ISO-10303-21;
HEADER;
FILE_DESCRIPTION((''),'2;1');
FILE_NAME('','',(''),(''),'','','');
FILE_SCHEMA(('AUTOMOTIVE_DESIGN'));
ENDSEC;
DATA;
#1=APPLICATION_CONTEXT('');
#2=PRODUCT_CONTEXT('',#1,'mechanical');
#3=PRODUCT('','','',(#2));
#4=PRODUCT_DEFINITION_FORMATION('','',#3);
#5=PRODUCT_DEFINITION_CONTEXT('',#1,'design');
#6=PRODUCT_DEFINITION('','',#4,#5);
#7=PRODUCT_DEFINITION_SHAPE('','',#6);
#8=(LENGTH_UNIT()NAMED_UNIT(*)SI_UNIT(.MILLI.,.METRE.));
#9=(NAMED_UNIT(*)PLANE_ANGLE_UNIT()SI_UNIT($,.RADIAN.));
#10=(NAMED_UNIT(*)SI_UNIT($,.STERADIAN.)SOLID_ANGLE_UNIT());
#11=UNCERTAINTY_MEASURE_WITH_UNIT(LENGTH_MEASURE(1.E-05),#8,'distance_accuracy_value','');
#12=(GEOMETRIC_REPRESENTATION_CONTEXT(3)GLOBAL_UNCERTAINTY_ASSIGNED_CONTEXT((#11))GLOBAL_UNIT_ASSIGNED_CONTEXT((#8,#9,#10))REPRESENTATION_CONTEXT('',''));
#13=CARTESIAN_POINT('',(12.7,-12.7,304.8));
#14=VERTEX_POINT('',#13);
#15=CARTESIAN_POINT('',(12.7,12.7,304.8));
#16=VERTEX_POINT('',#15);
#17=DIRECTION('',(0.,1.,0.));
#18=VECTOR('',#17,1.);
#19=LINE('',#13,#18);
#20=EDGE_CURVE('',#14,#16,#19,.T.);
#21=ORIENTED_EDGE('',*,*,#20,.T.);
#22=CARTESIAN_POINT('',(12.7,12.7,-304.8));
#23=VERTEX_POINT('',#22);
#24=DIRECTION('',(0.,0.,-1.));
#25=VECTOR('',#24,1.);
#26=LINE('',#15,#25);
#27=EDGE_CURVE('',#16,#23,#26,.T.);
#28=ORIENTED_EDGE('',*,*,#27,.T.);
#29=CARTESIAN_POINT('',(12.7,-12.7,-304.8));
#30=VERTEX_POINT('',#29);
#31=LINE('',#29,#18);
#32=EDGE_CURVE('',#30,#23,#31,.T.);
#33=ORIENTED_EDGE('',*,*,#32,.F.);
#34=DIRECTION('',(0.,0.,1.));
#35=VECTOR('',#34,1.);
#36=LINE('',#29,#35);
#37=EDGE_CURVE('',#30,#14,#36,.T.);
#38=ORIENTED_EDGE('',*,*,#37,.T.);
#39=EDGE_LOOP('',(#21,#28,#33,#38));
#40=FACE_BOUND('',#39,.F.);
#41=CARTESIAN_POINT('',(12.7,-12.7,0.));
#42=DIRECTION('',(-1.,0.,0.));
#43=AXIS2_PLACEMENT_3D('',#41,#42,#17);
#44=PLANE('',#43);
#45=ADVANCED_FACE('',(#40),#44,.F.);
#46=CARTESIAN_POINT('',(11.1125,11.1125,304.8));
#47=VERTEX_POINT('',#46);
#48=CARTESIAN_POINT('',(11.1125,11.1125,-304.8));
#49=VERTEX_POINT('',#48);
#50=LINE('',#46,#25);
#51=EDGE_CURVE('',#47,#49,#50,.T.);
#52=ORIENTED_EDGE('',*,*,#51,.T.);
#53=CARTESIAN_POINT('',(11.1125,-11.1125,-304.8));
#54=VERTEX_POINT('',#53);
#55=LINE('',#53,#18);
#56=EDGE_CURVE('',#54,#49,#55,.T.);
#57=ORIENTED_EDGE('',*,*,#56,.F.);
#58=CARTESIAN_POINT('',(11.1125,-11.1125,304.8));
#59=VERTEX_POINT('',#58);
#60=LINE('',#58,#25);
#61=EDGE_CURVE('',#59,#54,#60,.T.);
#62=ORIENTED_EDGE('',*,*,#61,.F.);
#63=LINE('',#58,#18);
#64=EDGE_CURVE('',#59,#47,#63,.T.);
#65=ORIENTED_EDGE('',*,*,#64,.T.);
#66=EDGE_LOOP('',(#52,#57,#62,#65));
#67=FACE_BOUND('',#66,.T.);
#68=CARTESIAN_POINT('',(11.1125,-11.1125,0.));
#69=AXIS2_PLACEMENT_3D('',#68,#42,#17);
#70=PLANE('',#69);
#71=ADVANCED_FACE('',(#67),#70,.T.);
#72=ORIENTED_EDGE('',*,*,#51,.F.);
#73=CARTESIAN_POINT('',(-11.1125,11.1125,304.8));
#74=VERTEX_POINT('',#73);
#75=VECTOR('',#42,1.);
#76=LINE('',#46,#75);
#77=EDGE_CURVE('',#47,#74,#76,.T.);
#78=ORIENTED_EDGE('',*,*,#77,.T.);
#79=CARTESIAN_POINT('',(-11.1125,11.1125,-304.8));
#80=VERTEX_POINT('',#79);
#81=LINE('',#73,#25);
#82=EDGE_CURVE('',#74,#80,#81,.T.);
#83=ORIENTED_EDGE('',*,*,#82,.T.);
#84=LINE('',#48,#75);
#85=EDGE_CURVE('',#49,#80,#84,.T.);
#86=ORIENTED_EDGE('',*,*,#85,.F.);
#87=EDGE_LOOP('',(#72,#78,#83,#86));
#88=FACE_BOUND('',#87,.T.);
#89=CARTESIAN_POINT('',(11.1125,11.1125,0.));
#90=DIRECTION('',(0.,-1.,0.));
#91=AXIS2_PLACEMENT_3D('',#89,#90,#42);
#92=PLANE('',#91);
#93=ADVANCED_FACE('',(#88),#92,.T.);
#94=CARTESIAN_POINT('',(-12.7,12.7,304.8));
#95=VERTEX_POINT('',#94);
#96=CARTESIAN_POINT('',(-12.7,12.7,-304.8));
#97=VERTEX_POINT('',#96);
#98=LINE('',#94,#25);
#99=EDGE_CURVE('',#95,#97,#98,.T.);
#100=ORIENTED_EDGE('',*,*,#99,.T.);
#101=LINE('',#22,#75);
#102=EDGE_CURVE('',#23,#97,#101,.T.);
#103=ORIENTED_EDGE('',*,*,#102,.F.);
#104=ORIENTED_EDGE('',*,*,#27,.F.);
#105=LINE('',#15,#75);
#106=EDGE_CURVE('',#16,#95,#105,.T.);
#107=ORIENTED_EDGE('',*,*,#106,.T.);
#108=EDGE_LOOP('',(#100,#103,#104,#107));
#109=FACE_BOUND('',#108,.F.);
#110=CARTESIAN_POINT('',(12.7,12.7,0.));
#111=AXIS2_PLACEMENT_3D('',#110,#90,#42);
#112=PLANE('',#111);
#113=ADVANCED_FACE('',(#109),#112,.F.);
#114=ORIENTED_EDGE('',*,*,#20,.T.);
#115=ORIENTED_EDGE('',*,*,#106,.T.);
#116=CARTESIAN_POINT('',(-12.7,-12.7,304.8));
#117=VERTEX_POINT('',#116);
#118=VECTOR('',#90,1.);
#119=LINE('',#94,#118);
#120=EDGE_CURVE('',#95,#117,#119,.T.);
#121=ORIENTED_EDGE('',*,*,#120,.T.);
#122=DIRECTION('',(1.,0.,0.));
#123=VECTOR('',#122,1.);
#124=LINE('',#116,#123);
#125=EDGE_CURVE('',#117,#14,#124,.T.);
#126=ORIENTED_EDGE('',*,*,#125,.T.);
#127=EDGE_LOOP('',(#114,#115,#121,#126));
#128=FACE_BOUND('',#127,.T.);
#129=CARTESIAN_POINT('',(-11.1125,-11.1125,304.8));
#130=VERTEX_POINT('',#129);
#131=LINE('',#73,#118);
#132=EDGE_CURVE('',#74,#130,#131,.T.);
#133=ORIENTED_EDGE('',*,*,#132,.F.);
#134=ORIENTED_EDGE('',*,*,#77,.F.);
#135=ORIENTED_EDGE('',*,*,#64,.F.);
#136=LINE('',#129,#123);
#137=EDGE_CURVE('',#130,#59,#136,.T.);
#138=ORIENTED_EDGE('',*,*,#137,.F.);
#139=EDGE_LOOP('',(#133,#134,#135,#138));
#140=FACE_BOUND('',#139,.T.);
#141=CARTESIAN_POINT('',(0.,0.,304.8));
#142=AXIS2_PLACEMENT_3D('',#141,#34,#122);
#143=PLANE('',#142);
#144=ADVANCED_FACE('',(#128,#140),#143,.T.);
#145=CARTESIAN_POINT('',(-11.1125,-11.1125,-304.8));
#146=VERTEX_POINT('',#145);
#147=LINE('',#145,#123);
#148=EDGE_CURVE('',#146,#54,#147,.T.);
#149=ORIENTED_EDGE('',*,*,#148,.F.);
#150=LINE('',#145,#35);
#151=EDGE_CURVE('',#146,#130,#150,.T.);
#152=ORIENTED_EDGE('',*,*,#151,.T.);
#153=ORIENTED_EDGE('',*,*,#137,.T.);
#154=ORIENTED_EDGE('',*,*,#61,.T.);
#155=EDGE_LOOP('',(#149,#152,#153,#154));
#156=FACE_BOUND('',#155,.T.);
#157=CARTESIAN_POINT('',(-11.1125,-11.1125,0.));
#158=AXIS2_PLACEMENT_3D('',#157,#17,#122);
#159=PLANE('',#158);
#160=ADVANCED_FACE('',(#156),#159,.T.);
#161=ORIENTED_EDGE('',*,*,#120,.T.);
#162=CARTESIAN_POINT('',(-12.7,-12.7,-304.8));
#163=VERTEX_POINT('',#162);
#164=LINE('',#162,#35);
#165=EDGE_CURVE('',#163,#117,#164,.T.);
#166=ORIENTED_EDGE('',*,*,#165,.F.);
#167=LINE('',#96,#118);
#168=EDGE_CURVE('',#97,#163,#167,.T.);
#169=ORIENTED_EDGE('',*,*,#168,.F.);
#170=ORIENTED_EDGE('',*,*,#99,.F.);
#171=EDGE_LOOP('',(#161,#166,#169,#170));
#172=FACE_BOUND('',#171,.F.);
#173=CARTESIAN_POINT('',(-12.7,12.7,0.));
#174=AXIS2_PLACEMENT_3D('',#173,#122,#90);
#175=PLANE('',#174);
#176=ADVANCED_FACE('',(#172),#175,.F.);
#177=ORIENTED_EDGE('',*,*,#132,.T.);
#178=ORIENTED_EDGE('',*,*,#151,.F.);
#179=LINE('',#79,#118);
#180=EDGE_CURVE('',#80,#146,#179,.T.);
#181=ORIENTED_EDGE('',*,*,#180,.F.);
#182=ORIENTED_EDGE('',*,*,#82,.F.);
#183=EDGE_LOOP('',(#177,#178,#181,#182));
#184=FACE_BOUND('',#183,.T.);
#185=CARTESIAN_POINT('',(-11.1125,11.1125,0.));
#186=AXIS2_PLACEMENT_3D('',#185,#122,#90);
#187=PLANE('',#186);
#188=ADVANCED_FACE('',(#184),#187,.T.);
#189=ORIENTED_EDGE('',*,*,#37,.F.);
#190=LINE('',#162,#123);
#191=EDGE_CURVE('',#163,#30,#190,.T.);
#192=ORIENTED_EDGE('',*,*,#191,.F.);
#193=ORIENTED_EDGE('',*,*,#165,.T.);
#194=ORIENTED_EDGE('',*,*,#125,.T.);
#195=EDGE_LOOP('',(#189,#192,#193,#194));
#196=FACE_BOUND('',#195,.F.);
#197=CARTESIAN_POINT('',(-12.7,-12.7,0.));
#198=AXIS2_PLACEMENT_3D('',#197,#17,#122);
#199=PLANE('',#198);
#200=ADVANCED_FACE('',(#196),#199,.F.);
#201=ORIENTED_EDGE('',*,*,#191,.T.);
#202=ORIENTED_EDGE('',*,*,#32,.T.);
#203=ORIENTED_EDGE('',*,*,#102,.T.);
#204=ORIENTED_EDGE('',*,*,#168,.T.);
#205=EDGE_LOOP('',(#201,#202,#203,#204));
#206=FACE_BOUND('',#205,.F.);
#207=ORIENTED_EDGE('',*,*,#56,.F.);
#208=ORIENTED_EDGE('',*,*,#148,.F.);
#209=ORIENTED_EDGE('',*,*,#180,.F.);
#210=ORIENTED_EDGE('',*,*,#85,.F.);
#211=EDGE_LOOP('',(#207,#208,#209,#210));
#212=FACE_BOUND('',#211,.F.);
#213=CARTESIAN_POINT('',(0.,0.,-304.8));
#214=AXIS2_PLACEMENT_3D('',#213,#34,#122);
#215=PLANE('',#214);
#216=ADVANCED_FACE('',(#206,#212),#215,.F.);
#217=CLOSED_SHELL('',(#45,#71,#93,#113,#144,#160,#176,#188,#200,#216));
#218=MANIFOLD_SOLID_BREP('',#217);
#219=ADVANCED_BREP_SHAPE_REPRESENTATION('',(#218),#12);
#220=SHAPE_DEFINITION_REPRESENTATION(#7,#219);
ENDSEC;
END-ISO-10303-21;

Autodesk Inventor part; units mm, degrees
ref_plane "YZ Plane" through (0, 0, 0) normal (1, 0, 0) x (0, 1, 0)
ref_plane "XZ Plane" through (0, 0, 0) normal (0, 1, 0) x (-1, 0, 0)
ref_plane "XY Plane" through (0, 0, 0) normal (0, 0, 1) x (1, 0, 0)
sketch "Sketch1" plane through (0, 0, 0) normal (0, 0, 1) x (1, 0, 0)
  line L0 (-12.7, -12.7) -> (12.7, -12.7)
  line L1 (12.7, -12.7) -> (12.7, 12.7)
  line L2 (12.7, 12.7) -> (-12.7, 12.7)
  line L3 (-12.7, 12.7) -> (-12.7, -12.7)
  line L4 (-12.7, -12.7) -> (12.7, 12.7) construction
  line L5 (12.7, -12.7) -> (-12.7, 12.7) construction
  line L6 (-11.1125, -11.1125) -> (11.1125, -11.1125)
  line L7 (11.1125, -11.1125) -> (11.1125, 11.1125)
  line L8 (11.1125, 11.1125) -> (-11.1125, 11.1125)
  line L9 (-11.1125, 11.1125) -> (-11.1125, -11.1125)
  line L10 (-11.1125, -11.1125) -> (11.1125, 11.1125) construction
  line L11 (11.1125, -11.1125) -> (-11.1125, 11.1125) construction
  point P0 (0, 0)
  dimension "d0" = 25.4
  dimension "d1" = 25.4
  dimension "d2" = 1.5875
extrude "Extrusion1" add sketch "Sketch1" along normal mid plane 609.6
properties part number "1in Box Tube"
